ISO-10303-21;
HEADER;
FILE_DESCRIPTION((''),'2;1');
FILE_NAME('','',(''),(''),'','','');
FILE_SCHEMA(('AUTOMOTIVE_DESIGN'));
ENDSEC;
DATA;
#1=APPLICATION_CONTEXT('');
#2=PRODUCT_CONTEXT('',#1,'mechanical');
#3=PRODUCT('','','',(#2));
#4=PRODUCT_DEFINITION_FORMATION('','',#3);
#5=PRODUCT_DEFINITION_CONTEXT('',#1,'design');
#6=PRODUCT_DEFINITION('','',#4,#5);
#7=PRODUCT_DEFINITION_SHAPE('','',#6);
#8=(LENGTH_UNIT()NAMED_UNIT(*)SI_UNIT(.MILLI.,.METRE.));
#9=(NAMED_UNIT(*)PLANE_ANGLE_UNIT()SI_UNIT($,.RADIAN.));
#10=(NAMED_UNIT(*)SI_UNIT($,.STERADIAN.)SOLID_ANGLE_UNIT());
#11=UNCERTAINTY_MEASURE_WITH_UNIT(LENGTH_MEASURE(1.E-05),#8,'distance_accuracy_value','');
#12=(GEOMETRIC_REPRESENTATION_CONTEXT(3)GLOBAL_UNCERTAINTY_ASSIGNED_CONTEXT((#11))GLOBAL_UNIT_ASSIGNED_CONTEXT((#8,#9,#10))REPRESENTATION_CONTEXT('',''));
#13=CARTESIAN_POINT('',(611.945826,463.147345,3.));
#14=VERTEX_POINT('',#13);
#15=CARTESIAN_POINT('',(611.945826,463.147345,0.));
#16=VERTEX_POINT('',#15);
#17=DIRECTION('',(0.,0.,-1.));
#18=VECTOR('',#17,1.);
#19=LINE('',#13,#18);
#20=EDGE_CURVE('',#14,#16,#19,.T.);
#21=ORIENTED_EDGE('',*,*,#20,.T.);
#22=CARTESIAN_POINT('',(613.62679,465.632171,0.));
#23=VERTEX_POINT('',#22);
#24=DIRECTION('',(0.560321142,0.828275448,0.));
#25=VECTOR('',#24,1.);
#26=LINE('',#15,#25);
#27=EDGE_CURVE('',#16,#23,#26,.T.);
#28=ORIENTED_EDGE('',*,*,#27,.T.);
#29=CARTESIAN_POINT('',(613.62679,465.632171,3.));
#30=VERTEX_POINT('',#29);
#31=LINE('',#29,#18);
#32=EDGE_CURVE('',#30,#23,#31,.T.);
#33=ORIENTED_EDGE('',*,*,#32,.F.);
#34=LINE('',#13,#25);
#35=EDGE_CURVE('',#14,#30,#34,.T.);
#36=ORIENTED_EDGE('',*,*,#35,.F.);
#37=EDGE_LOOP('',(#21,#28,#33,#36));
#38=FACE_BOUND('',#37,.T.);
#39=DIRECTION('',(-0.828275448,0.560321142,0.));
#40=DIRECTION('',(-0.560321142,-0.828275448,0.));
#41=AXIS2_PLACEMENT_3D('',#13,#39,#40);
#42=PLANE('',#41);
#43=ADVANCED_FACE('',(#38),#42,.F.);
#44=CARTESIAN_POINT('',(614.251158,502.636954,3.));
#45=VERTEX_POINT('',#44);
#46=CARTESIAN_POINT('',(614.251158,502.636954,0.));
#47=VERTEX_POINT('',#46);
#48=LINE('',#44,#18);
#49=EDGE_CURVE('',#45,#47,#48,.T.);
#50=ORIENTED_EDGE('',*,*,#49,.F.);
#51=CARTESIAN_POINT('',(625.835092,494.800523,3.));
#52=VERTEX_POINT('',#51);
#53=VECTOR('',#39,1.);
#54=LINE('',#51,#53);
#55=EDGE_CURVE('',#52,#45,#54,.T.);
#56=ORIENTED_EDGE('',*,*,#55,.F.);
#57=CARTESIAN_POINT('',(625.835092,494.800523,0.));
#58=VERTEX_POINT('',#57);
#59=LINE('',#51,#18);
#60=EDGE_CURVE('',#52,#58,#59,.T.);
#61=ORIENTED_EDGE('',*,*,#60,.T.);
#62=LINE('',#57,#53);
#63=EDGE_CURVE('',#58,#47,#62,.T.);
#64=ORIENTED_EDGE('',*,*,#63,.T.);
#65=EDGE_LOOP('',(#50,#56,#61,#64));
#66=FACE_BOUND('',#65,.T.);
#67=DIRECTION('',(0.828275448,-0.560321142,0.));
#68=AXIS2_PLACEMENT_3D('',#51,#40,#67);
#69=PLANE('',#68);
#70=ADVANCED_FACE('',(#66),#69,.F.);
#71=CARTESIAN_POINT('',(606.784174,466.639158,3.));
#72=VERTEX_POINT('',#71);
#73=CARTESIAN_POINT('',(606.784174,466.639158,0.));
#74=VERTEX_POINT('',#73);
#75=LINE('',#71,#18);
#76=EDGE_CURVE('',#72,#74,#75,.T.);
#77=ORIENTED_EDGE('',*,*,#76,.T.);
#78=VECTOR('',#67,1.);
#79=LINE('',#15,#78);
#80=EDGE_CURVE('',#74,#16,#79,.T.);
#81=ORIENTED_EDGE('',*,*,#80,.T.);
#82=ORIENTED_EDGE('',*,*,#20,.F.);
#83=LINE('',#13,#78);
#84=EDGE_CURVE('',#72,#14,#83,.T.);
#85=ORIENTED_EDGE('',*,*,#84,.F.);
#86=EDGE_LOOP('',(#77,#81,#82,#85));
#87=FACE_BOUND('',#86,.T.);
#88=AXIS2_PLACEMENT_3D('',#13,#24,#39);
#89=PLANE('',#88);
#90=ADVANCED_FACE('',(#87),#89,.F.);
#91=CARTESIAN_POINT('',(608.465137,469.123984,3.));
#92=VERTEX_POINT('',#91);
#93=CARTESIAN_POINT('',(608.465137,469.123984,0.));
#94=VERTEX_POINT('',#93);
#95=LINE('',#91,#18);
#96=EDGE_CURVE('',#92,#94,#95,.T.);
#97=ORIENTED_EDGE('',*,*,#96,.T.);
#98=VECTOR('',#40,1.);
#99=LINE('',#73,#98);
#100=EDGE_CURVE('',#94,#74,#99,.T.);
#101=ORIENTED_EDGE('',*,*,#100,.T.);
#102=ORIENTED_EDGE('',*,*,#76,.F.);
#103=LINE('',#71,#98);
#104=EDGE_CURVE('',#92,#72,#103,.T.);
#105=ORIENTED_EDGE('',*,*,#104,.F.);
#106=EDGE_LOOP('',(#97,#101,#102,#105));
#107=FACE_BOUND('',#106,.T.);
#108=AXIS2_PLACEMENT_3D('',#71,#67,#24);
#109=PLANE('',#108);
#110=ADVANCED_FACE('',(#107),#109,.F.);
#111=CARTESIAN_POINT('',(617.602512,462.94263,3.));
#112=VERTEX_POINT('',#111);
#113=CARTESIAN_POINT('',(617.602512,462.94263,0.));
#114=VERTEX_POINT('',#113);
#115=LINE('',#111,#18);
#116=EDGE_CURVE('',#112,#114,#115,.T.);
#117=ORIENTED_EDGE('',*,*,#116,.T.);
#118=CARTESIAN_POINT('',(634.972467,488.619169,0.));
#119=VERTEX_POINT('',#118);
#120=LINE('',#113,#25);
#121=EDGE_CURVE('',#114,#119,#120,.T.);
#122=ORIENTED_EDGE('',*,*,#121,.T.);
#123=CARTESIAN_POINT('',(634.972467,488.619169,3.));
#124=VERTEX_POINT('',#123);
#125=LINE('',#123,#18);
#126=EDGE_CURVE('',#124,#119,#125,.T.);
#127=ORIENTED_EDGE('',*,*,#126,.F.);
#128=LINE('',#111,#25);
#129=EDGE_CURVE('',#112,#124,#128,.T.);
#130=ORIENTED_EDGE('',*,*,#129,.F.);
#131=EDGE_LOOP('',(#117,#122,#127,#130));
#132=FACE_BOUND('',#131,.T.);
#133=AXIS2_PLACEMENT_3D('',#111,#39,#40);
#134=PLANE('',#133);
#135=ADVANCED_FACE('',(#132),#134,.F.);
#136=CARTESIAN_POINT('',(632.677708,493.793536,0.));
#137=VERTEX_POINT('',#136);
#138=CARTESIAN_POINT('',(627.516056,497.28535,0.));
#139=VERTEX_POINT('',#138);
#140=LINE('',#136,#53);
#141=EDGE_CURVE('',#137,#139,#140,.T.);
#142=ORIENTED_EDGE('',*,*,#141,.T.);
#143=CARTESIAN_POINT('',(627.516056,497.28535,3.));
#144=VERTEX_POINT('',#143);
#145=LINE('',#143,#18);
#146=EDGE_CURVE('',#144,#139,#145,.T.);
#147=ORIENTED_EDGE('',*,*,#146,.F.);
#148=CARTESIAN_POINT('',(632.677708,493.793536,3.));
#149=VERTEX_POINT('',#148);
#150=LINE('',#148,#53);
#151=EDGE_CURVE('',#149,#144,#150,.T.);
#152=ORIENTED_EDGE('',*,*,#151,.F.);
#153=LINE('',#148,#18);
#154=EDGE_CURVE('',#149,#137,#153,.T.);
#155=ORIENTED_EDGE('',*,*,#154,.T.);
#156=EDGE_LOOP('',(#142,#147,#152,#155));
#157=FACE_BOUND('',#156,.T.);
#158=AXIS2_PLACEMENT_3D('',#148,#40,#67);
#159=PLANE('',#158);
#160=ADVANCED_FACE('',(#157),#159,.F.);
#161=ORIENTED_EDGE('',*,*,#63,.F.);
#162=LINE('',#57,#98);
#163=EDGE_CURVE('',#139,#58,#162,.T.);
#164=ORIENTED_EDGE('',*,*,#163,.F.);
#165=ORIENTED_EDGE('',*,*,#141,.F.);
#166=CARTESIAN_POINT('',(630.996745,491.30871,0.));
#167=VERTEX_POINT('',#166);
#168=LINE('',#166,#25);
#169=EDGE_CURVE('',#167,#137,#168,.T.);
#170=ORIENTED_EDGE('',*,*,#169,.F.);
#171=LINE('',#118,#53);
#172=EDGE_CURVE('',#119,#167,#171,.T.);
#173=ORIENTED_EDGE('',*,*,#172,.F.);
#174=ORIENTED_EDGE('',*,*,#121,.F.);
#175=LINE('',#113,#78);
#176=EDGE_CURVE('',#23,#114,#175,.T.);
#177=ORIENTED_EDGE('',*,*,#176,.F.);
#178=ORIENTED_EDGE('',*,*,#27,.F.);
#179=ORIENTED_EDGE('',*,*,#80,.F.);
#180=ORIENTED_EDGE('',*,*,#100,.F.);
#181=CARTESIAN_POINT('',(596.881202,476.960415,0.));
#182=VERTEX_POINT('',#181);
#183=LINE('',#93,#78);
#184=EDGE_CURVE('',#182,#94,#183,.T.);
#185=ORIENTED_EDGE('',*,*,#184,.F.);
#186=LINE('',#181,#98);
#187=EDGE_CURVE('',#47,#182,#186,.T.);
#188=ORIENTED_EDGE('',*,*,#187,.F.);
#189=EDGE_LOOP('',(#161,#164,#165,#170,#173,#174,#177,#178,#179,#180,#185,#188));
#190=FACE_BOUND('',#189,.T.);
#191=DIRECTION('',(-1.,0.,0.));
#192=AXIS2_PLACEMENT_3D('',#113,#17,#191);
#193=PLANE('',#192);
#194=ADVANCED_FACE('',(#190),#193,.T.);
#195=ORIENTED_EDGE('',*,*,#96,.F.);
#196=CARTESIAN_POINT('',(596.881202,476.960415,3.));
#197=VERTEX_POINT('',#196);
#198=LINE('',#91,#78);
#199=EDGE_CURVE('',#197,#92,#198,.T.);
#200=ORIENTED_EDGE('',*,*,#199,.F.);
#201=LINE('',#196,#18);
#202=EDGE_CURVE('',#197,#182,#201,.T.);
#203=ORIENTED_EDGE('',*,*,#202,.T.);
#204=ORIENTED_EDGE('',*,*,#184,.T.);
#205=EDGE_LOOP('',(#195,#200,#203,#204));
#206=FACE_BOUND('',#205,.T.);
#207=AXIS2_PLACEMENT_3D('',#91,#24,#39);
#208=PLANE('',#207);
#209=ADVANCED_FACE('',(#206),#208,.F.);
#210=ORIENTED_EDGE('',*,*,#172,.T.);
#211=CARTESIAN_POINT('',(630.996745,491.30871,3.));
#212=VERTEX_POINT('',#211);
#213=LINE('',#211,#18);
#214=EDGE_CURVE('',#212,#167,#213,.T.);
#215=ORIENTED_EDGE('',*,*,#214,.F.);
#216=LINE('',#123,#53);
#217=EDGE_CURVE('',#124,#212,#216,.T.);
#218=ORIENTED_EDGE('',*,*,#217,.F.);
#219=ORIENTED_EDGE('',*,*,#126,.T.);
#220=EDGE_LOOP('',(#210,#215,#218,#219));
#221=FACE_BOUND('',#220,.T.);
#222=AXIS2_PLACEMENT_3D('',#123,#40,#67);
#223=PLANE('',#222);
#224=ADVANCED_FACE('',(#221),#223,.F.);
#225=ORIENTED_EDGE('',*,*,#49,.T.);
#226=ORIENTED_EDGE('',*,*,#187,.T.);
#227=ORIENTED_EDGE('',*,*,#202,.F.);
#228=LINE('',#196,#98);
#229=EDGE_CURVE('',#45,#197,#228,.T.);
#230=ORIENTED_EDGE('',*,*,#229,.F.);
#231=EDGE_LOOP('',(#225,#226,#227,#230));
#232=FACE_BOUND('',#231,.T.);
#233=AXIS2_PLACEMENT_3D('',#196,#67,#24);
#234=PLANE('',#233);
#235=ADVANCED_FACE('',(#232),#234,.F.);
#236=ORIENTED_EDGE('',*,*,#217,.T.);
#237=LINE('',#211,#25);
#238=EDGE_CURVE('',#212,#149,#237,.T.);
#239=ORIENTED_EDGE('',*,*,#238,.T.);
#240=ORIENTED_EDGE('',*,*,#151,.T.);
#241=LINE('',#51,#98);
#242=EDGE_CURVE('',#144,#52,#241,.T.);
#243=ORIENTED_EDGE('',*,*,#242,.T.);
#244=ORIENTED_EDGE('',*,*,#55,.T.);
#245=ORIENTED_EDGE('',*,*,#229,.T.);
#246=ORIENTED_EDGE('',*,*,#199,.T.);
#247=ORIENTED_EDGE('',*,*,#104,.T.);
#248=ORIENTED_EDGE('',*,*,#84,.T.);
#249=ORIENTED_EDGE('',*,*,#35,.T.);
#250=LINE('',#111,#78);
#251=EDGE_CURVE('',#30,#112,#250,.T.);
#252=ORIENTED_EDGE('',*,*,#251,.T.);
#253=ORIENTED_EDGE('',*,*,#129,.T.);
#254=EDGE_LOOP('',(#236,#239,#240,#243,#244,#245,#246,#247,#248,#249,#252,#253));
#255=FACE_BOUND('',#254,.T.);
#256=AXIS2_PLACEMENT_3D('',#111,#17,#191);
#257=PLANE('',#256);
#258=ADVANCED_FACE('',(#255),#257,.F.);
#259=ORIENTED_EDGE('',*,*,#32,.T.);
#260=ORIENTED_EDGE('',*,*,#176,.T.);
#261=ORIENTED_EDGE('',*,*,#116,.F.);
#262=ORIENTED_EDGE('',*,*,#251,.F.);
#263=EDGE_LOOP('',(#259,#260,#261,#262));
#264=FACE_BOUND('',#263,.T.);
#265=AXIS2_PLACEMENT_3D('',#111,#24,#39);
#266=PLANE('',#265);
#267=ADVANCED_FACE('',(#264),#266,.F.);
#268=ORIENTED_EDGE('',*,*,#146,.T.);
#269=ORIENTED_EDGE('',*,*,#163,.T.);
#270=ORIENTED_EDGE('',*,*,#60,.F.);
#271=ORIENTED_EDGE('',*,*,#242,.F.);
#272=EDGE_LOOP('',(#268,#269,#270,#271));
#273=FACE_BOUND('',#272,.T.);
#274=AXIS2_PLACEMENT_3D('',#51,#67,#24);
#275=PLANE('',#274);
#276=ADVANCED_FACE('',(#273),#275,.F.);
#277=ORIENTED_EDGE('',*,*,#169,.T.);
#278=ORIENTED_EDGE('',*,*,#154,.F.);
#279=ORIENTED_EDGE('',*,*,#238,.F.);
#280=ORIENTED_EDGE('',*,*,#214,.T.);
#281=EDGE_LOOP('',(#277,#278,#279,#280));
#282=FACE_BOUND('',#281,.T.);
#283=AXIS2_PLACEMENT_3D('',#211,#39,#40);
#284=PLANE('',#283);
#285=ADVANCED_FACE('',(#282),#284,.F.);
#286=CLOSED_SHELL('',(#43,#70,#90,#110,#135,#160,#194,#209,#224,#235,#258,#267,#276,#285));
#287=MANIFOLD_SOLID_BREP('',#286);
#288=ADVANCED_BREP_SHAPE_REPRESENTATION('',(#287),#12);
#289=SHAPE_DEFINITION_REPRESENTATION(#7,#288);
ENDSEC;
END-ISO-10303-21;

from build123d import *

# Parameters (mm, degrees)
BASE_EXTRUDE_DEPTH = 3


with BuildPart() as part:
    # Sketch1 → Base-Extrude (new body)
    with BuildSketch(Plane.XY):
        Polygon((596.881202269, 476.960415493), (614.251157678, 502.636954378), (625.835092421, 494.800523196), (627.516055848, 497.28534954), (632.677708396, 493.793536449), (630.99674497, 491.308710106), (634.97246712, 488.619168623), (617.602511711, 462.942629738), (613.626789561, 465.632171221), (611.945826134, 463.147344877), (606.784173586, 466.639157968), (608.465137013, 469.123984312), align=None)
    extrude(amount=BASE_EXTRUDE_DEPTH)


solid = part.part
